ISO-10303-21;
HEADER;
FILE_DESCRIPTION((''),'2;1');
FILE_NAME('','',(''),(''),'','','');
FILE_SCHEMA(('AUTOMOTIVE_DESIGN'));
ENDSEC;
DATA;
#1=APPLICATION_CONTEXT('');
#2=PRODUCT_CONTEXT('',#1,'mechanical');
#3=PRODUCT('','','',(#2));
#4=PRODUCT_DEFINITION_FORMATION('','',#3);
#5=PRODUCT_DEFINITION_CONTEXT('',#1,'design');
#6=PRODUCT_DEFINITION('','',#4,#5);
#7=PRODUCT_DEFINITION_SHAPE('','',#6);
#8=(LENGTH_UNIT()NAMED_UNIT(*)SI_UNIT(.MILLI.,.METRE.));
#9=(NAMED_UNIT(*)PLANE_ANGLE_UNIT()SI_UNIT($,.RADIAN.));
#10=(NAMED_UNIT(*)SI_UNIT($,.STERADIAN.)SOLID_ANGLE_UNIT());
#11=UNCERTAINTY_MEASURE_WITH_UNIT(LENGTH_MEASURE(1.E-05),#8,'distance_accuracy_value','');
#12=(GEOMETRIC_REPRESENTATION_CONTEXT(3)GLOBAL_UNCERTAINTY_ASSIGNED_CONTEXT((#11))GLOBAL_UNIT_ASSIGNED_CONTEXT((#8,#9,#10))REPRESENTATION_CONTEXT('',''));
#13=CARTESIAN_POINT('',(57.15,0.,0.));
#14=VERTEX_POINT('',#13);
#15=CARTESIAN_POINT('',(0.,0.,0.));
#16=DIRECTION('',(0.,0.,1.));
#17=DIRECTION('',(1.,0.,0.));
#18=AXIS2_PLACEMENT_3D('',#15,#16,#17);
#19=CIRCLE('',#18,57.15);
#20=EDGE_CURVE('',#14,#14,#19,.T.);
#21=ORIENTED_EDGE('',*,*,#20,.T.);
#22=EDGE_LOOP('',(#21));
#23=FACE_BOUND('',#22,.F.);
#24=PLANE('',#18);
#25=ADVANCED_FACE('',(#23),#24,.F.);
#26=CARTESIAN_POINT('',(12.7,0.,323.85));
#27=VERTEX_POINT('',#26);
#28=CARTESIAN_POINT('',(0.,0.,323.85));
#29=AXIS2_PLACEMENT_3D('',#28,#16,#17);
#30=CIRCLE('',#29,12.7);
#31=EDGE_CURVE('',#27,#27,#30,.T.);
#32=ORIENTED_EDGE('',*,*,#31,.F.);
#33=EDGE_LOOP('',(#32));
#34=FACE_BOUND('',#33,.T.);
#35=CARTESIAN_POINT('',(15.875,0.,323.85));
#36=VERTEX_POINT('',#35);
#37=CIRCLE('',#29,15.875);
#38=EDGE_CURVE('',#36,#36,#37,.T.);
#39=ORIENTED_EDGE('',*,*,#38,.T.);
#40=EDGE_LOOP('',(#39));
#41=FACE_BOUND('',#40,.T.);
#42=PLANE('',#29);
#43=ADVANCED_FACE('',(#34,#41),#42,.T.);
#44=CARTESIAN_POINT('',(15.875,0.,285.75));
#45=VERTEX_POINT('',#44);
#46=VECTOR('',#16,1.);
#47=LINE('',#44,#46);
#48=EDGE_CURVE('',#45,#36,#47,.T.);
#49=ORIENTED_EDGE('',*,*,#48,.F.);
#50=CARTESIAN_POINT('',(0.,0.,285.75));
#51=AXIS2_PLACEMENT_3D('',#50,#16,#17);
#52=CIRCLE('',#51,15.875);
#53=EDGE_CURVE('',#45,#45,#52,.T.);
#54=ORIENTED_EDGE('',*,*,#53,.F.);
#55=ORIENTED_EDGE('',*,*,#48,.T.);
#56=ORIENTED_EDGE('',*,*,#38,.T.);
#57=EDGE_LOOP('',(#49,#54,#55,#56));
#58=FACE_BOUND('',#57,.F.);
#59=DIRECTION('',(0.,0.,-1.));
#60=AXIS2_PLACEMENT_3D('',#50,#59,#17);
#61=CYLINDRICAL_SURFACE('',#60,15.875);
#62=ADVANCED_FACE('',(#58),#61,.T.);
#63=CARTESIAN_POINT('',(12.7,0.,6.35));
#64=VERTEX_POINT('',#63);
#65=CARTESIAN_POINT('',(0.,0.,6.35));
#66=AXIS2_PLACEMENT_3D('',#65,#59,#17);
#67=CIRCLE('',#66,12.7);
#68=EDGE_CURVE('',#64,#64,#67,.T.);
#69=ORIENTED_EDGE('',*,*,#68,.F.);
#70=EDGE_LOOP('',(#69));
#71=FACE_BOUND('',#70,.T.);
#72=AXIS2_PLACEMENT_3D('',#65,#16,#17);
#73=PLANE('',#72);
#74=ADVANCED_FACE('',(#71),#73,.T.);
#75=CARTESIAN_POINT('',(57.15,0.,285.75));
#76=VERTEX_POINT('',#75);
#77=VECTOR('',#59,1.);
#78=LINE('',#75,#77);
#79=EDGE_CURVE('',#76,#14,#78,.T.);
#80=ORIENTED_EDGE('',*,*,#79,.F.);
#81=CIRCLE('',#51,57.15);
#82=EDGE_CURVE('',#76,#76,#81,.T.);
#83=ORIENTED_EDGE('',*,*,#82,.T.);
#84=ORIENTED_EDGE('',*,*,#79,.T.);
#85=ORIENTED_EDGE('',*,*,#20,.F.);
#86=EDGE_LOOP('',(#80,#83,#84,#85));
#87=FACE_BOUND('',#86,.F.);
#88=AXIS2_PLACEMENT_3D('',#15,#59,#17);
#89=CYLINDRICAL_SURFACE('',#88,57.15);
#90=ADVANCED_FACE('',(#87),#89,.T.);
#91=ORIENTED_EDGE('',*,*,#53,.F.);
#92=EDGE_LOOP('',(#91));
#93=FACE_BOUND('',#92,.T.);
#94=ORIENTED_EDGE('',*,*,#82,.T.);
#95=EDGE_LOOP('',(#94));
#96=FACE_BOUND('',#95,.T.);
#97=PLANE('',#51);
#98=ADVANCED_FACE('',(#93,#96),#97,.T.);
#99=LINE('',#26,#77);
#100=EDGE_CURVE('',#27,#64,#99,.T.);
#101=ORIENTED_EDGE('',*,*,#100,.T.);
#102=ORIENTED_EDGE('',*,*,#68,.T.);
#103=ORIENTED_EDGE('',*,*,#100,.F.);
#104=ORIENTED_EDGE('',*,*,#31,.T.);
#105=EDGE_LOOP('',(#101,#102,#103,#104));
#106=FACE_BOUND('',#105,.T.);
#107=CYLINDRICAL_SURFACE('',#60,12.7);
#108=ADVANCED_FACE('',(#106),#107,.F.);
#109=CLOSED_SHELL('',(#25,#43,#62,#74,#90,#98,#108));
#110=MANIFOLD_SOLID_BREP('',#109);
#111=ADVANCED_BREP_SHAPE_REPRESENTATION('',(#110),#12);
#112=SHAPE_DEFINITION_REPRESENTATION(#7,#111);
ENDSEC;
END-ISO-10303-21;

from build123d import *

# Parameters (mm, degrees)
F0_R     = 57.15
F0_R_2   = 12.7
F1_DEPTH = 6.35
F2_DEPTH = 285.75
F3_R     = 15.875
F3_R_2   = 12.7
F4_DEPTH = 38.1


with BuildPart() as f1:
    # F0 (on Top) → F1 (new body)
    with BuildSketch(Plane.XY):
        Circle(F0_R)
        Circle(F0_R_2, mode=Mode.SUBTRACT)
        Circle(F0_R_2)
    extrude(amount=F1_DEPTH)

    # F0 (on Top) → F2 (join)
    with BuildSketch(Plane.XY):
        Circle(F0_R)
        Circle(F0_R_2, mode=Mode.SUBTRACT)
    extrude(amount=F2_DEPTH)

    # F3 (on face) → F4 (join)
    with BuildSketch(Plane.XY.offset(285.75)):
        Circle(F3_R)
        Circle(F3_R_2, mode=Mode.SUBTRACT)
    extrude(amount=F4_DEPTH)


solid = f1.part
